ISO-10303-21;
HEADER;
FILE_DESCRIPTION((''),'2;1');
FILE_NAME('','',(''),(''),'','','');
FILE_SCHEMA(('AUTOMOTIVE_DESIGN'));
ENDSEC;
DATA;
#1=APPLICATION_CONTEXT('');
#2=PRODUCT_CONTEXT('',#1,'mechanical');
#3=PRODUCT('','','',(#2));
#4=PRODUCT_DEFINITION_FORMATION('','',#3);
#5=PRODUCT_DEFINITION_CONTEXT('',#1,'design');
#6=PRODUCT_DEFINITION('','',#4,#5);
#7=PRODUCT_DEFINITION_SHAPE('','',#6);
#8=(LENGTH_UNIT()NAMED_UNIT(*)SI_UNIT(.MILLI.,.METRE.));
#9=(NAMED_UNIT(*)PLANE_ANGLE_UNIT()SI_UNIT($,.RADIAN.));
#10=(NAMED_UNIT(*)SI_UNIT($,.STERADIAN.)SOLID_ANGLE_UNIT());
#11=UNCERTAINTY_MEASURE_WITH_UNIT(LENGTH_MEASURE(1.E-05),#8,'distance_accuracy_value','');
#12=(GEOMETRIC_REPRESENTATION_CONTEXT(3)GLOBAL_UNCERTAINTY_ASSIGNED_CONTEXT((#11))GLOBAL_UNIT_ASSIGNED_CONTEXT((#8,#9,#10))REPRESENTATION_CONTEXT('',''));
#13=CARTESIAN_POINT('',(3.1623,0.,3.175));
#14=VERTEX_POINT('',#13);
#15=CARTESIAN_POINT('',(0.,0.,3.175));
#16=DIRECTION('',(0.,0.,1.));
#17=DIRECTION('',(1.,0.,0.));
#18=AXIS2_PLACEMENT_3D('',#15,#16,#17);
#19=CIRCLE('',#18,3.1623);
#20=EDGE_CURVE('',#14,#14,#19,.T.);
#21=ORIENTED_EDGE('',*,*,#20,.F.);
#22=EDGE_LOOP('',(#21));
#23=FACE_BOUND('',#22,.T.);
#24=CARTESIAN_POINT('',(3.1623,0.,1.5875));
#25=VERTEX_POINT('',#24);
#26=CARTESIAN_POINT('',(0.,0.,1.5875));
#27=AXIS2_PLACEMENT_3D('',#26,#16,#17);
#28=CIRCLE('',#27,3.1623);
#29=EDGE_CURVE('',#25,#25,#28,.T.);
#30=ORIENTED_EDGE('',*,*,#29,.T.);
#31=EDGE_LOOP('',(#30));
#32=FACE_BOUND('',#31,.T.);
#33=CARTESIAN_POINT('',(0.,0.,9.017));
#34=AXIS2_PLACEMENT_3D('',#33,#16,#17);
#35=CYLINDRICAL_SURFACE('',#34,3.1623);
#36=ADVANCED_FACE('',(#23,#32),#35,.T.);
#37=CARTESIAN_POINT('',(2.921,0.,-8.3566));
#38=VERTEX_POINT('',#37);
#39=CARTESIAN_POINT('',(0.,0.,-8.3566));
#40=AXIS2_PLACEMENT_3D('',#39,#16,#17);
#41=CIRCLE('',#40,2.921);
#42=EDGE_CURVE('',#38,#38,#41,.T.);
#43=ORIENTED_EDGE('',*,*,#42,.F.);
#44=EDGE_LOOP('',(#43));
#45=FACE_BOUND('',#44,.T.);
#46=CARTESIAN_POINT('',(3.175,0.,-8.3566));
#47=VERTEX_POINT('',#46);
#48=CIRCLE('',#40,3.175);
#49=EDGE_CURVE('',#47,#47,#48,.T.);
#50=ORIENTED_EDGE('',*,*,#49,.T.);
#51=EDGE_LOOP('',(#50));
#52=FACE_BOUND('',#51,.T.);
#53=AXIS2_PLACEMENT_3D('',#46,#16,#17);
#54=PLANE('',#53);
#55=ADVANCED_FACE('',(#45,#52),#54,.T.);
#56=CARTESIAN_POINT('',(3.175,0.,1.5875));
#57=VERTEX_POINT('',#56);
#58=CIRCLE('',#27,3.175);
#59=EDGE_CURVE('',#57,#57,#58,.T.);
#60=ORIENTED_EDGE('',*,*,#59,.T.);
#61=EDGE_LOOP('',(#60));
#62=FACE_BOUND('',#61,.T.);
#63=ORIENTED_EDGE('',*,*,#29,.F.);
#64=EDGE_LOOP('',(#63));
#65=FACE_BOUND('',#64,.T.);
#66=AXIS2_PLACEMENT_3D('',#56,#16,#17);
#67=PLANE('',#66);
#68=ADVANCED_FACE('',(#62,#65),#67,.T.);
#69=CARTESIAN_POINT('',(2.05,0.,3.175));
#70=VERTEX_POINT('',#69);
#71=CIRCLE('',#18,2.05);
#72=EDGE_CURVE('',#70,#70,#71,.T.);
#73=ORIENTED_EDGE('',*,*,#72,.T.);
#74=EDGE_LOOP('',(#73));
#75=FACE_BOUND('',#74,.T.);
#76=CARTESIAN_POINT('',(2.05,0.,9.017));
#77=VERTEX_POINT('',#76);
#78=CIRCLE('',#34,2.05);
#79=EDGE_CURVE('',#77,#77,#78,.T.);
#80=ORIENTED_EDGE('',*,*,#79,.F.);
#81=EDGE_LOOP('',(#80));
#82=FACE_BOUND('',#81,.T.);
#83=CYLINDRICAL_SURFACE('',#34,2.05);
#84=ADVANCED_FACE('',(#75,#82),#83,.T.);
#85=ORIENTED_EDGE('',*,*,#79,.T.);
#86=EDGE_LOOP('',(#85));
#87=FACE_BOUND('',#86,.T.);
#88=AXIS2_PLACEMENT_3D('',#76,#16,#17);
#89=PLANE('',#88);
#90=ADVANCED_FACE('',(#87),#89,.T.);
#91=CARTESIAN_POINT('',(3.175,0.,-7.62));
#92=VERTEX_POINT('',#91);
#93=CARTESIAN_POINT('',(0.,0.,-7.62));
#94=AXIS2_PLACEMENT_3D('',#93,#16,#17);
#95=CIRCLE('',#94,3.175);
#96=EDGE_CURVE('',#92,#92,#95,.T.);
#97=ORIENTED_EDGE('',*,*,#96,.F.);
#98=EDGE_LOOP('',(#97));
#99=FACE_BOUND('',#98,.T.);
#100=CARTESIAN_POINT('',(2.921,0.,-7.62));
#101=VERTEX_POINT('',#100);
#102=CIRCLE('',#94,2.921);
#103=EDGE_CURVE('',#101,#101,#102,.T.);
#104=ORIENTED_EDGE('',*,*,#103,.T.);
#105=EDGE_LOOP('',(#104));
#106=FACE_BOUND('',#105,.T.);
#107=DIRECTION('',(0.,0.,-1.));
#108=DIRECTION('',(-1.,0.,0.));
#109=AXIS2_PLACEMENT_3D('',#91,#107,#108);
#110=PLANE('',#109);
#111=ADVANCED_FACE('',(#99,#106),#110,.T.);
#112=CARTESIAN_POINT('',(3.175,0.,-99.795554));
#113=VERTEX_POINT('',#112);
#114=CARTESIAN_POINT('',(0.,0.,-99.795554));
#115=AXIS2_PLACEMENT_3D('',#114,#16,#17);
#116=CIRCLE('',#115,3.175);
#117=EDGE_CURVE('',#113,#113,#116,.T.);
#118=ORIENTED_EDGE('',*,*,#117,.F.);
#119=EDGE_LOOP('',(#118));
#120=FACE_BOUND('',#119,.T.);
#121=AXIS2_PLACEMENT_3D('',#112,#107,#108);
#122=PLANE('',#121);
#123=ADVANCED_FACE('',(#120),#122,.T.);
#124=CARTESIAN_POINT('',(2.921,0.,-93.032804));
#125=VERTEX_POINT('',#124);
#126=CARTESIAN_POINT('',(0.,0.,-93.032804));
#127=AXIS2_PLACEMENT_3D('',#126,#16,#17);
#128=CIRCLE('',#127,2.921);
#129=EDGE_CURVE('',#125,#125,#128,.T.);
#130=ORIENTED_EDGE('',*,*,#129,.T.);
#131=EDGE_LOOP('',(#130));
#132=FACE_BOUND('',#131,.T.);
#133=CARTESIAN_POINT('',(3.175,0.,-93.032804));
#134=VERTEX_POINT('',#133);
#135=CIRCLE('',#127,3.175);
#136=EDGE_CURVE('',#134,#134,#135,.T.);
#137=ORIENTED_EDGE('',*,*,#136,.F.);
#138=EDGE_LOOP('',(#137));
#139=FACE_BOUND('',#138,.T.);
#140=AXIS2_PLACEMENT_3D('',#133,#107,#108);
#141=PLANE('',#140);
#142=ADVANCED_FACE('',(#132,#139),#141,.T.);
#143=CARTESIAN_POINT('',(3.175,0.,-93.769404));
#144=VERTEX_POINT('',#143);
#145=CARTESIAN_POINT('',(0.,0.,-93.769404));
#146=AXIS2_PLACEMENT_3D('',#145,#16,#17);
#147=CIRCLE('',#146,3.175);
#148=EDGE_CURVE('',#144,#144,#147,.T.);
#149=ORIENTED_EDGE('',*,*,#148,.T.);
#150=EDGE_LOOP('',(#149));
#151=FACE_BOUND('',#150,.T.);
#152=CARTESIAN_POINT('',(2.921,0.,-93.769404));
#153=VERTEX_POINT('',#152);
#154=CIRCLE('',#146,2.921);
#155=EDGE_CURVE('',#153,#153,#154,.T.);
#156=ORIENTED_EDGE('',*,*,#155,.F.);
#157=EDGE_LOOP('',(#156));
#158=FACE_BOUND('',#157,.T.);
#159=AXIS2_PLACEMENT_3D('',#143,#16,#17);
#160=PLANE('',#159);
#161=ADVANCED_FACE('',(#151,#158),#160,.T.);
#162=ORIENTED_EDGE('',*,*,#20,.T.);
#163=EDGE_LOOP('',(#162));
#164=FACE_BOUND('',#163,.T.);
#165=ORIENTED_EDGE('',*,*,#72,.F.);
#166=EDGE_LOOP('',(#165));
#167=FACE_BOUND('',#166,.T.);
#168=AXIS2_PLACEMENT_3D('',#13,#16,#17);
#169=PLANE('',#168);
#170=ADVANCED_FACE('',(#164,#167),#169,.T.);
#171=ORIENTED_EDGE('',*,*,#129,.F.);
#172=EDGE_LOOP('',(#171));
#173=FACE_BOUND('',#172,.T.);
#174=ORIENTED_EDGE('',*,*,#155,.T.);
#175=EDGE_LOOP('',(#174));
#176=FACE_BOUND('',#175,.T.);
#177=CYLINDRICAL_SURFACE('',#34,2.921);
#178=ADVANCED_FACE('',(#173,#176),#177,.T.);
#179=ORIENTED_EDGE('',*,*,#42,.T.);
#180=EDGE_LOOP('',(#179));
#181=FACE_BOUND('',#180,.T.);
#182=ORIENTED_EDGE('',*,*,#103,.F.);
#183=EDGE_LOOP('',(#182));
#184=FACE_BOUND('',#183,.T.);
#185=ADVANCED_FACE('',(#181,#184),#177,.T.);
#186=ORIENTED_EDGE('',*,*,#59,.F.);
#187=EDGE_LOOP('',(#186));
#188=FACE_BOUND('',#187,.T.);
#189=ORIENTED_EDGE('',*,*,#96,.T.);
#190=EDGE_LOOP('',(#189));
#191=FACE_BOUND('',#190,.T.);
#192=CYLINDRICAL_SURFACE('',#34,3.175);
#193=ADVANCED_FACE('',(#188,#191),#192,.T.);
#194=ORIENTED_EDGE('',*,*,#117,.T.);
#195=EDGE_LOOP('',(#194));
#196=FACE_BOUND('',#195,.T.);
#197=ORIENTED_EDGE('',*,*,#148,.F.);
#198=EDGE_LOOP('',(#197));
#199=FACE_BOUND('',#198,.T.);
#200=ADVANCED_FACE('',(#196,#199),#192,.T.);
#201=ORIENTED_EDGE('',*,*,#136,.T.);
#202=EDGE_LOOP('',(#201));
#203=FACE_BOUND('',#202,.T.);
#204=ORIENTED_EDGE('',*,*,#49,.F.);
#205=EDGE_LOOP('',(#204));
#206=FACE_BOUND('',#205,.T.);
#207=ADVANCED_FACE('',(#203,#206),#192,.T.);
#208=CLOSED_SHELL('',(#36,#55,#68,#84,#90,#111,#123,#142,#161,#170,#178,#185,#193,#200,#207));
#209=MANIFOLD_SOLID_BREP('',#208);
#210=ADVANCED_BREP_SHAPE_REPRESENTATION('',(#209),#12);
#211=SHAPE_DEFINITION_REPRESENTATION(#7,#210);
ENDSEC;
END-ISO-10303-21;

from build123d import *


with BuildPart() as part:
    # Sketch1 → Revolve1 (revolve)
    with BuildSketch(Plane(origin=(0, 0, 0), x_dir=(1, 0, 0), z_dir=(0, 1, 0))):
        Polygon((3.175, 99.795553682), (0, 99.795553682), (0, -9.017), (2.05, -9.017), (2.05, -3.175), (3.1623, -3.175), (3.1623, -1.5875), (3.175, -1.5875), (3.175, 7.62), (2.921, 7.62), (2.921, 8.3566), (3.175, 8.3566), (3.175, 93.032803682), (2.921, 93.032803682), (2.921, 93.769403682), (3.175, 93.769403682), align=None)
    revolve(axis=Axis((0, 0, 9.017), (0, 0, -1)))


solid = part.part
